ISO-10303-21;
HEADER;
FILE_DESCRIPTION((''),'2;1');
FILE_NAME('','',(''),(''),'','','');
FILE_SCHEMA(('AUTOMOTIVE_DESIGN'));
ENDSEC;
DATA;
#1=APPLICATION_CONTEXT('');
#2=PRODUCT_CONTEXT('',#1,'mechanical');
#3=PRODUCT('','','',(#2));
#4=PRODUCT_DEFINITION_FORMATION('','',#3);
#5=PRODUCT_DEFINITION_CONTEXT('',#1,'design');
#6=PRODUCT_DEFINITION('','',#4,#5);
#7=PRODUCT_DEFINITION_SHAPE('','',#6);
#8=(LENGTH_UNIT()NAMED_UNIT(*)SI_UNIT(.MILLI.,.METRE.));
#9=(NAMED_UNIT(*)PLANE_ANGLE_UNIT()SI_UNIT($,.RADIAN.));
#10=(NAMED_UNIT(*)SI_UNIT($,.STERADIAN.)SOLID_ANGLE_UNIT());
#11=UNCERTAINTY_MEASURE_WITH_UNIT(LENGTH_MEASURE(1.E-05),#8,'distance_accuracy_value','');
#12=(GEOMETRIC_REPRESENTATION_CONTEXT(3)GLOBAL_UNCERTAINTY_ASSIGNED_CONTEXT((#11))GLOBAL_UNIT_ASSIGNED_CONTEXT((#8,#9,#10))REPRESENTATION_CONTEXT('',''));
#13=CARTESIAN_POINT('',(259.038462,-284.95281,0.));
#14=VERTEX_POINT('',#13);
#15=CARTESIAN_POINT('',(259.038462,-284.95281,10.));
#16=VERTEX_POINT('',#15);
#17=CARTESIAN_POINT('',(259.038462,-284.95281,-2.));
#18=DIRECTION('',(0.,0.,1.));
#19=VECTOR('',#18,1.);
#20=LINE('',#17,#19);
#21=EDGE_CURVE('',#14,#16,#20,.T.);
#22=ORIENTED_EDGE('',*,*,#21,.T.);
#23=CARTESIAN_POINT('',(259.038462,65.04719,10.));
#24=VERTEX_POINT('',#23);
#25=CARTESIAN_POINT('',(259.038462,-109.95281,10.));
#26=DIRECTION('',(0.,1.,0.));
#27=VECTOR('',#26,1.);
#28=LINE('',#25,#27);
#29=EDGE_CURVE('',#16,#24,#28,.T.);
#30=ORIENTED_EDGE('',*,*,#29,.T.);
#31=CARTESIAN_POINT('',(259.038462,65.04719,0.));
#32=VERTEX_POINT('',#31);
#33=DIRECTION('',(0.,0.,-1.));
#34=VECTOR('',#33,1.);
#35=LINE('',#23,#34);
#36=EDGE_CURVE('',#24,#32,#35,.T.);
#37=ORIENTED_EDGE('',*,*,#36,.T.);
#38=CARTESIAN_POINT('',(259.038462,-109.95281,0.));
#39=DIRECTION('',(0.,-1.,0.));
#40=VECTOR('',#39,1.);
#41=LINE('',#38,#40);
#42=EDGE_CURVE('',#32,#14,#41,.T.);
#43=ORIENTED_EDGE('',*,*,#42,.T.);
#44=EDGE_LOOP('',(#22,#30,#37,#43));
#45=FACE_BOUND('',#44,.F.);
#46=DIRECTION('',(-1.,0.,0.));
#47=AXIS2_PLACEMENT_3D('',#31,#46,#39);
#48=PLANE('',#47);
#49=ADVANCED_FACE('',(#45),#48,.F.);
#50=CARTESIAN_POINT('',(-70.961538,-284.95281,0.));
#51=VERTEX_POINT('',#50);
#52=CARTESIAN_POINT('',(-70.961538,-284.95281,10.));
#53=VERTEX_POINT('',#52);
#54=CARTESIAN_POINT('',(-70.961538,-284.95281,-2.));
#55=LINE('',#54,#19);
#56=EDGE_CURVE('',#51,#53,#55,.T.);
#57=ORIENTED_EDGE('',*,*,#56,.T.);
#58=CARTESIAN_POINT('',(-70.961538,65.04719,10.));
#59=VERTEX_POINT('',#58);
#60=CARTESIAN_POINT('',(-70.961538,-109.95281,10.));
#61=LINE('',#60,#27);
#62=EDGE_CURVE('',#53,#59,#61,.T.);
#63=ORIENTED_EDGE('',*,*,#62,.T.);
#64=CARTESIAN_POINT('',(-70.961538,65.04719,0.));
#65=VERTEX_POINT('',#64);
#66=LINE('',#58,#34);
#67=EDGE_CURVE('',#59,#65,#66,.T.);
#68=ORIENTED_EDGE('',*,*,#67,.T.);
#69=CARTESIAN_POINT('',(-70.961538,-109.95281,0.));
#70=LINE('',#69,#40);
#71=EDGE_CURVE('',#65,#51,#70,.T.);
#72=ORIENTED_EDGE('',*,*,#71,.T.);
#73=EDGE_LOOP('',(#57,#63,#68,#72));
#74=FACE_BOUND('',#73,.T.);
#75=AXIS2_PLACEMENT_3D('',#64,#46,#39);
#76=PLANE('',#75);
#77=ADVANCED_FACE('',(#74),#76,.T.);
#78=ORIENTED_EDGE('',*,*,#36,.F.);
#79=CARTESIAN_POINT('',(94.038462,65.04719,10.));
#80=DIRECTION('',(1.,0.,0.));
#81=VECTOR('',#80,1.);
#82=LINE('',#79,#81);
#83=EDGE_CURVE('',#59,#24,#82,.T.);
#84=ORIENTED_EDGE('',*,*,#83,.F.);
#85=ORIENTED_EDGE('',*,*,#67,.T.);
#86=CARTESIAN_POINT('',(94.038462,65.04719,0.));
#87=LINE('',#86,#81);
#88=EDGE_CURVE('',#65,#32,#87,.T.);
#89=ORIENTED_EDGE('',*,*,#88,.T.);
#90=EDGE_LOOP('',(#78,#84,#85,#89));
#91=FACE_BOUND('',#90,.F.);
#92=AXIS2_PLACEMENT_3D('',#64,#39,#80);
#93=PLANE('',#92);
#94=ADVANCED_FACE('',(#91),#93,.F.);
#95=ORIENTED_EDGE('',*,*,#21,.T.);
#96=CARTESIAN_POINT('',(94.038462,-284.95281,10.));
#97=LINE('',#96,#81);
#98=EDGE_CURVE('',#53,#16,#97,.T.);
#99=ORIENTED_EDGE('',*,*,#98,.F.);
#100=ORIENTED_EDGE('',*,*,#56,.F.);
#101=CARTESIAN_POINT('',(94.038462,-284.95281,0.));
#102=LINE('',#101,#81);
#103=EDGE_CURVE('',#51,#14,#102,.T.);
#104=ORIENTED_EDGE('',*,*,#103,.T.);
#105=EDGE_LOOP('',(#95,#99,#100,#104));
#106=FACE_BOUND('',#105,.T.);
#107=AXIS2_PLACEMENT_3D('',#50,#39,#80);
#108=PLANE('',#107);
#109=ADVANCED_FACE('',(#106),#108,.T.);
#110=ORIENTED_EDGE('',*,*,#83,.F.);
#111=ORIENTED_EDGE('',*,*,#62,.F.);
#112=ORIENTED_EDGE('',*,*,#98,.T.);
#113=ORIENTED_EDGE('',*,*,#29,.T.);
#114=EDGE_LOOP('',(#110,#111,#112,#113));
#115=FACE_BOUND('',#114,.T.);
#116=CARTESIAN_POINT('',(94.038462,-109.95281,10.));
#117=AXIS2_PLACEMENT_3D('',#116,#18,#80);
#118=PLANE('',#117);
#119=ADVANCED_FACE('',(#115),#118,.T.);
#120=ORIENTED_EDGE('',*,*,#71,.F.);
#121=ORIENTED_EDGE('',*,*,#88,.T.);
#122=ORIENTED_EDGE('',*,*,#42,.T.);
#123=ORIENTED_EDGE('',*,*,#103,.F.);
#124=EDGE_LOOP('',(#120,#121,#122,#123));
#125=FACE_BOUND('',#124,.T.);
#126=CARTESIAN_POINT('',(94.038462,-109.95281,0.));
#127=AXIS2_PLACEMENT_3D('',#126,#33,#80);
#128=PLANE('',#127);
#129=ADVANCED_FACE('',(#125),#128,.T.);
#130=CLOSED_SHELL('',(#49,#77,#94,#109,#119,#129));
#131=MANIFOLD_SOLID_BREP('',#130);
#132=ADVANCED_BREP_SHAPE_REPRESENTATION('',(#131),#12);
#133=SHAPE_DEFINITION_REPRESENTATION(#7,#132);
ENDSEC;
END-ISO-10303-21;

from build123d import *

# Parameters (mm, degrees)
F0_W      = 330
F0_H      = 350
F1_DEPTH  = 10
F1_FACE_W = 330
F1_FACE_H = 350
F2_DEPTH  = 2
F2_FACE_W = 330
F2_FACE_H = 350
F3_DEPTH  = 2


with BuildPart() as f1:
    # F0 (on Top) → F1 (new body)
    with BuildSketch(Plane.XY):
        with Locations((94.038462, -109.95281)):
            Rectangle(F0_W, F0_H)
    extrude(amount=F1_DEPTH)

    # F1_face (on face) → F2 (join)
    with BuildSketch(Plane(origin=(94.038462, -109.95281, 0), x_dir=(1, 0, 0), z_dir=(0, 0, -1))):
        Rectangle(F1_FACE_W, F1_FACE_H)
    extrude(amount=F2_DEPTH)

    # F2_face (on face) → F3 (cut)
    with BuildSketch(Plane(origin=(94.038462, -109.95281, -2), x_dir=(1, 0, 0), z_dir=(0, 0, -1))):
        Rectangle(F2_FACE_W, F2_FACE_H)
    extrude(amount=-F3_DEPTH, mode=Mode.SUBTRACT)


solid = f1.part
